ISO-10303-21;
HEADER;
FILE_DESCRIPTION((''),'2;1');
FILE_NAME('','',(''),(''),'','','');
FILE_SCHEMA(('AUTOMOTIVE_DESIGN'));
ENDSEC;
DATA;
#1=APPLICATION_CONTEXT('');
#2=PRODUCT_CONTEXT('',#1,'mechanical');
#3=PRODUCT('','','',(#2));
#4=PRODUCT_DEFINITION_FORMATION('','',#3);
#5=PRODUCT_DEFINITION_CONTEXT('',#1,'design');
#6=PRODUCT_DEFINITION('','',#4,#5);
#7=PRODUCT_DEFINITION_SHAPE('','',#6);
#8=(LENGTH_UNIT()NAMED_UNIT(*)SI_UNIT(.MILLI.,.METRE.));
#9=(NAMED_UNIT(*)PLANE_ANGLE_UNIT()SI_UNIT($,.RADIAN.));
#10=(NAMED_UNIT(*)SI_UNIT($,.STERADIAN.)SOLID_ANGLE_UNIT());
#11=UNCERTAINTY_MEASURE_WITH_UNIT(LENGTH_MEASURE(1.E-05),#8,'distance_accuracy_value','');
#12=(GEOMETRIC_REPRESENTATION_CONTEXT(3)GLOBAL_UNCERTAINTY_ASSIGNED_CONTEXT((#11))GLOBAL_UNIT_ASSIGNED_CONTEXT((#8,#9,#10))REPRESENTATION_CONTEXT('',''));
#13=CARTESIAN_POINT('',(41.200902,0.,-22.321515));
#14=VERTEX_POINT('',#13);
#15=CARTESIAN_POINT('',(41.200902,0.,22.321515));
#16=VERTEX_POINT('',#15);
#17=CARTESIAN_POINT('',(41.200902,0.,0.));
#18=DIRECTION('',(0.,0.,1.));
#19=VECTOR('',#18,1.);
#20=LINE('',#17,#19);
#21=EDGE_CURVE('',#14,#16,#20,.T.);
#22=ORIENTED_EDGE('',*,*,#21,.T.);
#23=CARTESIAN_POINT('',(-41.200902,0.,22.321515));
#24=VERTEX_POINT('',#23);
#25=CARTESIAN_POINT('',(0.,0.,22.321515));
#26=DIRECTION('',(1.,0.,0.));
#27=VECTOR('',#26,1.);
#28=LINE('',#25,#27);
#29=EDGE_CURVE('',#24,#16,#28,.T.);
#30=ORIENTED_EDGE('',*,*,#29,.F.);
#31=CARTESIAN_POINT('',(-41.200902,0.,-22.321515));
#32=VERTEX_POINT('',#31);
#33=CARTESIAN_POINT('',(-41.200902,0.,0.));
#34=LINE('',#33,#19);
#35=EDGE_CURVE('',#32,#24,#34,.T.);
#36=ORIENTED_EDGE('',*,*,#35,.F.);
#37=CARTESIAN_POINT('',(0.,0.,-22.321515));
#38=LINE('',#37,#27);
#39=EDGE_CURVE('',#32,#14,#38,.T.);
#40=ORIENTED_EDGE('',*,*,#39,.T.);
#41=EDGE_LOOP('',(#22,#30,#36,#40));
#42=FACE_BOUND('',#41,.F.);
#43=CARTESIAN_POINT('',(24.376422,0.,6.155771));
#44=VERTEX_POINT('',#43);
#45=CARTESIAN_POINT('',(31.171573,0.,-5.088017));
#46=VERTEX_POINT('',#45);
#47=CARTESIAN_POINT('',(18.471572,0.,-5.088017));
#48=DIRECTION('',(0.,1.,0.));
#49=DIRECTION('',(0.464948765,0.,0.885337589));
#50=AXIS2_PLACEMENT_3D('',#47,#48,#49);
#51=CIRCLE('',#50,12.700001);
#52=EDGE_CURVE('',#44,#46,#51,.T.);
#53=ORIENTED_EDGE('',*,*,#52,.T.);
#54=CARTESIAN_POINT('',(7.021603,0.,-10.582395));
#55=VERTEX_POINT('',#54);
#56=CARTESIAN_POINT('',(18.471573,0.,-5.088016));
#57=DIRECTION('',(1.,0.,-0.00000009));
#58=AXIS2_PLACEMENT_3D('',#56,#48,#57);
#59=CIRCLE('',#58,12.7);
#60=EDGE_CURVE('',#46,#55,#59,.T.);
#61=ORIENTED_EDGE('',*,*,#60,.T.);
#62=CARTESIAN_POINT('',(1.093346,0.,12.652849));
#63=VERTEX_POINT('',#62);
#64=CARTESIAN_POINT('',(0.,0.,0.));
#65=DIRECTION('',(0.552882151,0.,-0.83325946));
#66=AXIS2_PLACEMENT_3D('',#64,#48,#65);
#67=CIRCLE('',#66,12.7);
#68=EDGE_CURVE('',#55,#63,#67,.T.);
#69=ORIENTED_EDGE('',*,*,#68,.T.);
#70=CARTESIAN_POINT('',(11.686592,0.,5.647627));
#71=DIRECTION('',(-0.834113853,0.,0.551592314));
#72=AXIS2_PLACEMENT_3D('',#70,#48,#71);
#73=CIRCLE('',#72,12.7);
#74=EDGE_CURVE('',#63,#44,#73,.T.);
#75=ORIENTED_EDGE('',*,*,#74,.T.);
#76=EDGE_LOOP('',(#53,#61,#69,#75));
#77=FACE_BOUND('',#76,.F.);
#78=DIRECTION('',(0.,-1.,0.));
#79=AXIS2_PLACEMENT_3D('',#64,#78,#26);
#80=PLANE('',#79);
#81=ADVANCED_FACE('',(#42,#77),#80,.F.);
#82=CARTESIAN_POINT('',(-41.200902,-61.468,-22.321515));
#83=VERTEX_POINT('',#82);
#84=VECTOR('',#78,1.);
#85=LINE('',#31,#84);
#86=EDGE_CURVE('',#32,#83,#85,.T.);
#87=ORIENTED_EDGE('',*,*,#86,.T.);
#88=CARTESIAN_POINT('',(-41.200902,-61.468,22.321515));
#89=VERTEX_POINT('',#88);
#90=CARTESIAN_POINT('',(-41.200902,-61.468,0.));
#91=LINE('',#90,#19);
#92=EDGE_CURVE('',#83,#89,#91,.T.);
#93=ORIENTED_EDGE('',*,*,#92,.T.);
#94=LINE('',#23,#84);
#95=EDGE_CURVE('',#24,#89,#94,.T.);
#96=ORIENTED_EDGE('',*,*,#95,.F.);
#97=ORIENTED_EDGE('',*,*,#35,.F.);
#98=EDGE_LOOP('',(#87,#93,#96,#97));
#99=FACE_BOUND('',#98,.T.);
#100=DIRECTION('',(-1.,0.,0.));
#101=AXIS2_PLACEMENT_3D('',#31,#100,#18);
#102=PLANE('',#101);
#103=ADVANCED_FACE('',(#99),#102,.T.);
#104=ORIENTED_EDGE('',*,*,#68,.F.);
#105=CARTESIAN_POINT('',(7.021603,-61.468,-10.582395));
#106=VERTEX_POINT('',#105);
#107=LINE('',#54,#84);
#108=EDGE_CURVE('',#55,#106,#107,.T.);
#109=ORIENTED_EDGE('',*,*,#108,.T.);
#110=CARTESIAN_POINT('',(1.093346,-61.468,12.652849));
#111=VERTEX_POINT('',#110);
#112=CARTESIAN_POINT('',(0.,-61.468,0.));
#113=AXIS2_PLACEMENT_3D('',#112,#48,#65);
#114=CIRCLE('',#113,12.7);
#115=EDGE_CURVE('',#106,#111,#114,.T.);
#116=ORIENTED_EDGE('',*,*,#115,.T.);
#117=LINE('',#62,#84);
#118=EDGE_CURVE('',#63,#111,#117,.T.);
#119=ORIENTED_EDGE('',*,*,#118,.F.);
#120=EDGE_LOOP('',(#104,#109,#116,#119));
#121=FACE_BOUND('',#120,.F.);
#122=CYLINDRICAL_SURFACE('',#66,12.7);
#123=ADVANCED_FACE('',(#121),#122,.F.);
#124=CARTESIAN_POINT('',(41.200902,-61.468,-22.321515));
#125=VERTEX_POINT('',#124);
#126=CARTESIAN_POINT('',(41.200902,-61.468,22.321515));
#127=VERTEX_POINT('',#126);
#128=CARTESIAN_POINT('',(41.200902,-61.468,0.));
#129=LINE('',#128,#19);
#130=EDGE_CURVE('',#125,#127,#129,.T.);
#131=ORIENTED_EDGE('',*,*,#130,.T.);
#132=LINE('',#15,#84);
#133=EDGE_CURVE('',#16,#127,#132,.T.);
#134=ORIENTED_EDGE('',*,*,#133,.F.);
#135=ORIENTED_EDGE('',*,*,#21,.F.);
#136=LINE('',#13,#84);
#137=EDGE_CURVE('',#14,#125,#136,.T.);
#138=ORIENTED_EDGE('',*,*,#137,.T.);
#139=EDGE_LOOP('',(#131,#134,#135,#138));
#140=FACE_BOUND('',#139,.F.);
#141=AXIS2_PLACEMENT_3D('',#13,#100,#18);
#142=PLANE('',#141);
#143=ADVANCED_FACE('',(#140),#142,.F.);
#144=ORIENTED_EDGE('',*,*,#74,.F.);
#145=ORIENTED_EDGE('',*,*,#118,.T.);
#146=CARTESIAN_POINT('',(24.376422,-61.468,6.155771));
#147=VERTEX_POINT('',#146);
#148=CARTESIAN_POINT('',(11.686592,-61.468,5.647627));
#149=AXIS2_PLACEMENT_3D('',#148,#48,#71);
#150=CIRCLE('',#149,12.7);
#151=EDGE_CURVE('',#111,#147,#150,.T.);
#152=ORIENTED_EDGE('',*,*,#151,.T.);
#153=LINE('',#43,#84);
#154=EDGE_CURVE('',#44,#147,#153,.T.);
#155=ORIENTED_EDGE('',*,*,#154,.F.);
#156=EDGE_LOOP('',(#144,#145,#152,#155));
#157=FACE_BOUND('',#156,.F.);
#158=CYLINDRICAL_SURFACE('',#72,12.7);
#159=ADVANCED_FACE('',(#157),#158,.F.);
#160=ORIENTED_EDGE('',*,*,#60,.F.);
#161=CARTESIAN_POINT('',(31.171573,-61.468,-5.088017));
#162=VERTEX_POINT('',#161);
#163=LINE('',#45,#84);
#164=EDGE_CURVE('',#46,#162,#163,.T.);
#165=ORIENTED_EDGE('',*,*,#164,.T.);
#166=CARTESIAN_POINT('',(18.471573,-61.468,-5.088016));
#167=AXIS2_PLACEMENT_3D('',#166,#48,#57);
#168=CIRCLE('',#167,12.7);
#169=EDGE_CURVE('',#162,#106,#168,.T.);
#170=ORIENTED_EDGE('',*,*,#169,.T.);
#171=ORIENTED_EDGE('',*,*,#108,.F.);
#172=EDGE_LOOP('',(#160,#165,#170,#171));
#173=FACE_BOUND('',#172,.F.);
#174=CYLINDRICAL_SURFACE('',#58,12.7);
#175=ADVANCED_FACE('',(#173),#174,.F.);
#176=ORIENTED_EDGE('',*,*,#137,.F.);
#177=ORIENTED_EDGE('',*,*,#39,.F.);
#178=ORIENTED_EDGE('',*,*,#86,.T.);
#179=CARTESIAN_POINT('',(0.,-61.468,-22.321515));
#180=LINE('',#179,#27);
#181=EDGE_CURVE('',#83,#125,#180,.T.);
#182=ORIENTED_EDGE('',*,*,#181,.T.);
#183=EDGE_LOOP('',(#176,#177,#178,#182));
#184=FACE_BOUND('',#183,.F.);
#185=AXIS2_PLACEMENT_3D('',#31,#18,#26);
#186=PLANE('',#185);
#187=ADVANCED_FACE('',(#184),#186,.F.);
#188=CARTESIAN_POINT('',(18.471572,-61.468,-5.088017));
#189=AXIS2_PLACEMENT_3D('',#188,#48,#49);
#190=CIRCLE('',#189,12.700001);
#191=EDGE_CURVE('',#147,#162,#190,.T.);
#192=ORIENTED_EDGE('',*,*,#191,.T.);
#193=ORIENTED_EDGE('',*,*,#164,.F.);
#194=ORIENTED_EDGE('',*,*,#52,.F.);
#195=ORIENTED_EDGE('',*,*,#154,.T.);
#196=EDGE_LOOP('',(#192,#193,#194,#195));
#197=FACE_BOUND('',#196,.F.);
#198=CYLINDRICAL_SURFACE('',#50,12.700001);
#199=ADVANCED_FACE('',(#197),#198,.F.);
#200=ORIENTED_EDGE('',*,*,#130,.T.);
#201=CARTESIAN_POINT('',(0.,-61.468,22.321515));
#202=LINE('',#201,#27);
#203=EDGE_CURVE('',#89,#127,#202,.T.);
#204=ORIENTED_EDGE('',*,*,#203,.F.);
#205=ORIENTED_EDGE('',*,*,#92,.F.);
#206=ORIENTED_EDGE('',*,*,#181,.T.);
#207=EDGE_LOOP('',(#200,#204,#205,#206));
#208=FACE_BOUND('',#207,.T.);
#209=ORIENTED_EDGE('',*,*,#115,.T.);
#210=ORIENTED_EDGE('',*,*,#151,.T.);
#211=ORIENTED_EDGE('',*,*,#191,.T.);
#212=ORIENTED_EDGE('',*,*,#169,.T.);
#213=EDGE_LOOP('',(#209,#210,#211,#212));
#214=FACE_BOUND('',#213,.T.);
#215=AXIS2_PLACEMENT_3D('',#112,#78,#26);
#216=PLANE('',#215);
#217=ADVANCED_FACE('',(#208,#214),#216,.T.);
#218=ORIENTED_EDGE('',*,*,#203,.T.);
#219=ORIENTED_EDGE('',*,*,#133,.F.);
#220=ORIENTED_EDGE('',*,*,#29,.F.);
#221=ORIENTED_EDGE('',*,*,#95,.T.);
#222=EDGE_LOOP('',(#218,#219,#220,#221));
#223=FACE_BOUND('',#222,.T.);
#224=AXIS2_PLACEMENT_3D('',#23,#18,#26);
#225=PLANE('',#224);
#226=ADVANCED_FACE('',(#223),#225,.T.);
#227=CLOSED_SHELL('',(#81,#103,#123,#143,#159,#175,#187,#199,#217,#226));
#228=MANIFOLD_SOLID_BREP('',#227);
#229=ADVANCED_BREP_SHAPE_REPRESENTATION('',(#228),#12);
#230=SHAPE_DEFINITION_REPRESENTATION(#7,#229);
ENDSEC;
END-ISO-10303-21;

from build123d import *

# Parameters (mm, degrees)
F0_W     = 82.401804
F0_H     = 44.64303
F1_DEPTH = 61.468


with BuildPart() as f1:
    # F0 (on Front) → F1 (new body)
    with BuildSketch(Plane.XZ):
        Rectangle(F0_W, F0_H)
        with BuildLine():
            ThreePointArc((7.021603, -10.582395), (-12.305781, -3.139706), (1.093346, 12.652849))
            ThreePointArc((1.093346, 12.652849), (15.100083, 17.880291), (24.376422, 6.155771))
            ThreePointArc((24.376422, 6.155771), (29.340832, 1.480789), (31.171573, -5.088017))
            ThreePointArc((31.171573, -5.088017), (21.288964, -17.471566), (7.021603, -10.582395))
        make_face(mode=Mode.SUBTRACT)
    extrude(amount=F1_DEPTH)


solid = f1.part
